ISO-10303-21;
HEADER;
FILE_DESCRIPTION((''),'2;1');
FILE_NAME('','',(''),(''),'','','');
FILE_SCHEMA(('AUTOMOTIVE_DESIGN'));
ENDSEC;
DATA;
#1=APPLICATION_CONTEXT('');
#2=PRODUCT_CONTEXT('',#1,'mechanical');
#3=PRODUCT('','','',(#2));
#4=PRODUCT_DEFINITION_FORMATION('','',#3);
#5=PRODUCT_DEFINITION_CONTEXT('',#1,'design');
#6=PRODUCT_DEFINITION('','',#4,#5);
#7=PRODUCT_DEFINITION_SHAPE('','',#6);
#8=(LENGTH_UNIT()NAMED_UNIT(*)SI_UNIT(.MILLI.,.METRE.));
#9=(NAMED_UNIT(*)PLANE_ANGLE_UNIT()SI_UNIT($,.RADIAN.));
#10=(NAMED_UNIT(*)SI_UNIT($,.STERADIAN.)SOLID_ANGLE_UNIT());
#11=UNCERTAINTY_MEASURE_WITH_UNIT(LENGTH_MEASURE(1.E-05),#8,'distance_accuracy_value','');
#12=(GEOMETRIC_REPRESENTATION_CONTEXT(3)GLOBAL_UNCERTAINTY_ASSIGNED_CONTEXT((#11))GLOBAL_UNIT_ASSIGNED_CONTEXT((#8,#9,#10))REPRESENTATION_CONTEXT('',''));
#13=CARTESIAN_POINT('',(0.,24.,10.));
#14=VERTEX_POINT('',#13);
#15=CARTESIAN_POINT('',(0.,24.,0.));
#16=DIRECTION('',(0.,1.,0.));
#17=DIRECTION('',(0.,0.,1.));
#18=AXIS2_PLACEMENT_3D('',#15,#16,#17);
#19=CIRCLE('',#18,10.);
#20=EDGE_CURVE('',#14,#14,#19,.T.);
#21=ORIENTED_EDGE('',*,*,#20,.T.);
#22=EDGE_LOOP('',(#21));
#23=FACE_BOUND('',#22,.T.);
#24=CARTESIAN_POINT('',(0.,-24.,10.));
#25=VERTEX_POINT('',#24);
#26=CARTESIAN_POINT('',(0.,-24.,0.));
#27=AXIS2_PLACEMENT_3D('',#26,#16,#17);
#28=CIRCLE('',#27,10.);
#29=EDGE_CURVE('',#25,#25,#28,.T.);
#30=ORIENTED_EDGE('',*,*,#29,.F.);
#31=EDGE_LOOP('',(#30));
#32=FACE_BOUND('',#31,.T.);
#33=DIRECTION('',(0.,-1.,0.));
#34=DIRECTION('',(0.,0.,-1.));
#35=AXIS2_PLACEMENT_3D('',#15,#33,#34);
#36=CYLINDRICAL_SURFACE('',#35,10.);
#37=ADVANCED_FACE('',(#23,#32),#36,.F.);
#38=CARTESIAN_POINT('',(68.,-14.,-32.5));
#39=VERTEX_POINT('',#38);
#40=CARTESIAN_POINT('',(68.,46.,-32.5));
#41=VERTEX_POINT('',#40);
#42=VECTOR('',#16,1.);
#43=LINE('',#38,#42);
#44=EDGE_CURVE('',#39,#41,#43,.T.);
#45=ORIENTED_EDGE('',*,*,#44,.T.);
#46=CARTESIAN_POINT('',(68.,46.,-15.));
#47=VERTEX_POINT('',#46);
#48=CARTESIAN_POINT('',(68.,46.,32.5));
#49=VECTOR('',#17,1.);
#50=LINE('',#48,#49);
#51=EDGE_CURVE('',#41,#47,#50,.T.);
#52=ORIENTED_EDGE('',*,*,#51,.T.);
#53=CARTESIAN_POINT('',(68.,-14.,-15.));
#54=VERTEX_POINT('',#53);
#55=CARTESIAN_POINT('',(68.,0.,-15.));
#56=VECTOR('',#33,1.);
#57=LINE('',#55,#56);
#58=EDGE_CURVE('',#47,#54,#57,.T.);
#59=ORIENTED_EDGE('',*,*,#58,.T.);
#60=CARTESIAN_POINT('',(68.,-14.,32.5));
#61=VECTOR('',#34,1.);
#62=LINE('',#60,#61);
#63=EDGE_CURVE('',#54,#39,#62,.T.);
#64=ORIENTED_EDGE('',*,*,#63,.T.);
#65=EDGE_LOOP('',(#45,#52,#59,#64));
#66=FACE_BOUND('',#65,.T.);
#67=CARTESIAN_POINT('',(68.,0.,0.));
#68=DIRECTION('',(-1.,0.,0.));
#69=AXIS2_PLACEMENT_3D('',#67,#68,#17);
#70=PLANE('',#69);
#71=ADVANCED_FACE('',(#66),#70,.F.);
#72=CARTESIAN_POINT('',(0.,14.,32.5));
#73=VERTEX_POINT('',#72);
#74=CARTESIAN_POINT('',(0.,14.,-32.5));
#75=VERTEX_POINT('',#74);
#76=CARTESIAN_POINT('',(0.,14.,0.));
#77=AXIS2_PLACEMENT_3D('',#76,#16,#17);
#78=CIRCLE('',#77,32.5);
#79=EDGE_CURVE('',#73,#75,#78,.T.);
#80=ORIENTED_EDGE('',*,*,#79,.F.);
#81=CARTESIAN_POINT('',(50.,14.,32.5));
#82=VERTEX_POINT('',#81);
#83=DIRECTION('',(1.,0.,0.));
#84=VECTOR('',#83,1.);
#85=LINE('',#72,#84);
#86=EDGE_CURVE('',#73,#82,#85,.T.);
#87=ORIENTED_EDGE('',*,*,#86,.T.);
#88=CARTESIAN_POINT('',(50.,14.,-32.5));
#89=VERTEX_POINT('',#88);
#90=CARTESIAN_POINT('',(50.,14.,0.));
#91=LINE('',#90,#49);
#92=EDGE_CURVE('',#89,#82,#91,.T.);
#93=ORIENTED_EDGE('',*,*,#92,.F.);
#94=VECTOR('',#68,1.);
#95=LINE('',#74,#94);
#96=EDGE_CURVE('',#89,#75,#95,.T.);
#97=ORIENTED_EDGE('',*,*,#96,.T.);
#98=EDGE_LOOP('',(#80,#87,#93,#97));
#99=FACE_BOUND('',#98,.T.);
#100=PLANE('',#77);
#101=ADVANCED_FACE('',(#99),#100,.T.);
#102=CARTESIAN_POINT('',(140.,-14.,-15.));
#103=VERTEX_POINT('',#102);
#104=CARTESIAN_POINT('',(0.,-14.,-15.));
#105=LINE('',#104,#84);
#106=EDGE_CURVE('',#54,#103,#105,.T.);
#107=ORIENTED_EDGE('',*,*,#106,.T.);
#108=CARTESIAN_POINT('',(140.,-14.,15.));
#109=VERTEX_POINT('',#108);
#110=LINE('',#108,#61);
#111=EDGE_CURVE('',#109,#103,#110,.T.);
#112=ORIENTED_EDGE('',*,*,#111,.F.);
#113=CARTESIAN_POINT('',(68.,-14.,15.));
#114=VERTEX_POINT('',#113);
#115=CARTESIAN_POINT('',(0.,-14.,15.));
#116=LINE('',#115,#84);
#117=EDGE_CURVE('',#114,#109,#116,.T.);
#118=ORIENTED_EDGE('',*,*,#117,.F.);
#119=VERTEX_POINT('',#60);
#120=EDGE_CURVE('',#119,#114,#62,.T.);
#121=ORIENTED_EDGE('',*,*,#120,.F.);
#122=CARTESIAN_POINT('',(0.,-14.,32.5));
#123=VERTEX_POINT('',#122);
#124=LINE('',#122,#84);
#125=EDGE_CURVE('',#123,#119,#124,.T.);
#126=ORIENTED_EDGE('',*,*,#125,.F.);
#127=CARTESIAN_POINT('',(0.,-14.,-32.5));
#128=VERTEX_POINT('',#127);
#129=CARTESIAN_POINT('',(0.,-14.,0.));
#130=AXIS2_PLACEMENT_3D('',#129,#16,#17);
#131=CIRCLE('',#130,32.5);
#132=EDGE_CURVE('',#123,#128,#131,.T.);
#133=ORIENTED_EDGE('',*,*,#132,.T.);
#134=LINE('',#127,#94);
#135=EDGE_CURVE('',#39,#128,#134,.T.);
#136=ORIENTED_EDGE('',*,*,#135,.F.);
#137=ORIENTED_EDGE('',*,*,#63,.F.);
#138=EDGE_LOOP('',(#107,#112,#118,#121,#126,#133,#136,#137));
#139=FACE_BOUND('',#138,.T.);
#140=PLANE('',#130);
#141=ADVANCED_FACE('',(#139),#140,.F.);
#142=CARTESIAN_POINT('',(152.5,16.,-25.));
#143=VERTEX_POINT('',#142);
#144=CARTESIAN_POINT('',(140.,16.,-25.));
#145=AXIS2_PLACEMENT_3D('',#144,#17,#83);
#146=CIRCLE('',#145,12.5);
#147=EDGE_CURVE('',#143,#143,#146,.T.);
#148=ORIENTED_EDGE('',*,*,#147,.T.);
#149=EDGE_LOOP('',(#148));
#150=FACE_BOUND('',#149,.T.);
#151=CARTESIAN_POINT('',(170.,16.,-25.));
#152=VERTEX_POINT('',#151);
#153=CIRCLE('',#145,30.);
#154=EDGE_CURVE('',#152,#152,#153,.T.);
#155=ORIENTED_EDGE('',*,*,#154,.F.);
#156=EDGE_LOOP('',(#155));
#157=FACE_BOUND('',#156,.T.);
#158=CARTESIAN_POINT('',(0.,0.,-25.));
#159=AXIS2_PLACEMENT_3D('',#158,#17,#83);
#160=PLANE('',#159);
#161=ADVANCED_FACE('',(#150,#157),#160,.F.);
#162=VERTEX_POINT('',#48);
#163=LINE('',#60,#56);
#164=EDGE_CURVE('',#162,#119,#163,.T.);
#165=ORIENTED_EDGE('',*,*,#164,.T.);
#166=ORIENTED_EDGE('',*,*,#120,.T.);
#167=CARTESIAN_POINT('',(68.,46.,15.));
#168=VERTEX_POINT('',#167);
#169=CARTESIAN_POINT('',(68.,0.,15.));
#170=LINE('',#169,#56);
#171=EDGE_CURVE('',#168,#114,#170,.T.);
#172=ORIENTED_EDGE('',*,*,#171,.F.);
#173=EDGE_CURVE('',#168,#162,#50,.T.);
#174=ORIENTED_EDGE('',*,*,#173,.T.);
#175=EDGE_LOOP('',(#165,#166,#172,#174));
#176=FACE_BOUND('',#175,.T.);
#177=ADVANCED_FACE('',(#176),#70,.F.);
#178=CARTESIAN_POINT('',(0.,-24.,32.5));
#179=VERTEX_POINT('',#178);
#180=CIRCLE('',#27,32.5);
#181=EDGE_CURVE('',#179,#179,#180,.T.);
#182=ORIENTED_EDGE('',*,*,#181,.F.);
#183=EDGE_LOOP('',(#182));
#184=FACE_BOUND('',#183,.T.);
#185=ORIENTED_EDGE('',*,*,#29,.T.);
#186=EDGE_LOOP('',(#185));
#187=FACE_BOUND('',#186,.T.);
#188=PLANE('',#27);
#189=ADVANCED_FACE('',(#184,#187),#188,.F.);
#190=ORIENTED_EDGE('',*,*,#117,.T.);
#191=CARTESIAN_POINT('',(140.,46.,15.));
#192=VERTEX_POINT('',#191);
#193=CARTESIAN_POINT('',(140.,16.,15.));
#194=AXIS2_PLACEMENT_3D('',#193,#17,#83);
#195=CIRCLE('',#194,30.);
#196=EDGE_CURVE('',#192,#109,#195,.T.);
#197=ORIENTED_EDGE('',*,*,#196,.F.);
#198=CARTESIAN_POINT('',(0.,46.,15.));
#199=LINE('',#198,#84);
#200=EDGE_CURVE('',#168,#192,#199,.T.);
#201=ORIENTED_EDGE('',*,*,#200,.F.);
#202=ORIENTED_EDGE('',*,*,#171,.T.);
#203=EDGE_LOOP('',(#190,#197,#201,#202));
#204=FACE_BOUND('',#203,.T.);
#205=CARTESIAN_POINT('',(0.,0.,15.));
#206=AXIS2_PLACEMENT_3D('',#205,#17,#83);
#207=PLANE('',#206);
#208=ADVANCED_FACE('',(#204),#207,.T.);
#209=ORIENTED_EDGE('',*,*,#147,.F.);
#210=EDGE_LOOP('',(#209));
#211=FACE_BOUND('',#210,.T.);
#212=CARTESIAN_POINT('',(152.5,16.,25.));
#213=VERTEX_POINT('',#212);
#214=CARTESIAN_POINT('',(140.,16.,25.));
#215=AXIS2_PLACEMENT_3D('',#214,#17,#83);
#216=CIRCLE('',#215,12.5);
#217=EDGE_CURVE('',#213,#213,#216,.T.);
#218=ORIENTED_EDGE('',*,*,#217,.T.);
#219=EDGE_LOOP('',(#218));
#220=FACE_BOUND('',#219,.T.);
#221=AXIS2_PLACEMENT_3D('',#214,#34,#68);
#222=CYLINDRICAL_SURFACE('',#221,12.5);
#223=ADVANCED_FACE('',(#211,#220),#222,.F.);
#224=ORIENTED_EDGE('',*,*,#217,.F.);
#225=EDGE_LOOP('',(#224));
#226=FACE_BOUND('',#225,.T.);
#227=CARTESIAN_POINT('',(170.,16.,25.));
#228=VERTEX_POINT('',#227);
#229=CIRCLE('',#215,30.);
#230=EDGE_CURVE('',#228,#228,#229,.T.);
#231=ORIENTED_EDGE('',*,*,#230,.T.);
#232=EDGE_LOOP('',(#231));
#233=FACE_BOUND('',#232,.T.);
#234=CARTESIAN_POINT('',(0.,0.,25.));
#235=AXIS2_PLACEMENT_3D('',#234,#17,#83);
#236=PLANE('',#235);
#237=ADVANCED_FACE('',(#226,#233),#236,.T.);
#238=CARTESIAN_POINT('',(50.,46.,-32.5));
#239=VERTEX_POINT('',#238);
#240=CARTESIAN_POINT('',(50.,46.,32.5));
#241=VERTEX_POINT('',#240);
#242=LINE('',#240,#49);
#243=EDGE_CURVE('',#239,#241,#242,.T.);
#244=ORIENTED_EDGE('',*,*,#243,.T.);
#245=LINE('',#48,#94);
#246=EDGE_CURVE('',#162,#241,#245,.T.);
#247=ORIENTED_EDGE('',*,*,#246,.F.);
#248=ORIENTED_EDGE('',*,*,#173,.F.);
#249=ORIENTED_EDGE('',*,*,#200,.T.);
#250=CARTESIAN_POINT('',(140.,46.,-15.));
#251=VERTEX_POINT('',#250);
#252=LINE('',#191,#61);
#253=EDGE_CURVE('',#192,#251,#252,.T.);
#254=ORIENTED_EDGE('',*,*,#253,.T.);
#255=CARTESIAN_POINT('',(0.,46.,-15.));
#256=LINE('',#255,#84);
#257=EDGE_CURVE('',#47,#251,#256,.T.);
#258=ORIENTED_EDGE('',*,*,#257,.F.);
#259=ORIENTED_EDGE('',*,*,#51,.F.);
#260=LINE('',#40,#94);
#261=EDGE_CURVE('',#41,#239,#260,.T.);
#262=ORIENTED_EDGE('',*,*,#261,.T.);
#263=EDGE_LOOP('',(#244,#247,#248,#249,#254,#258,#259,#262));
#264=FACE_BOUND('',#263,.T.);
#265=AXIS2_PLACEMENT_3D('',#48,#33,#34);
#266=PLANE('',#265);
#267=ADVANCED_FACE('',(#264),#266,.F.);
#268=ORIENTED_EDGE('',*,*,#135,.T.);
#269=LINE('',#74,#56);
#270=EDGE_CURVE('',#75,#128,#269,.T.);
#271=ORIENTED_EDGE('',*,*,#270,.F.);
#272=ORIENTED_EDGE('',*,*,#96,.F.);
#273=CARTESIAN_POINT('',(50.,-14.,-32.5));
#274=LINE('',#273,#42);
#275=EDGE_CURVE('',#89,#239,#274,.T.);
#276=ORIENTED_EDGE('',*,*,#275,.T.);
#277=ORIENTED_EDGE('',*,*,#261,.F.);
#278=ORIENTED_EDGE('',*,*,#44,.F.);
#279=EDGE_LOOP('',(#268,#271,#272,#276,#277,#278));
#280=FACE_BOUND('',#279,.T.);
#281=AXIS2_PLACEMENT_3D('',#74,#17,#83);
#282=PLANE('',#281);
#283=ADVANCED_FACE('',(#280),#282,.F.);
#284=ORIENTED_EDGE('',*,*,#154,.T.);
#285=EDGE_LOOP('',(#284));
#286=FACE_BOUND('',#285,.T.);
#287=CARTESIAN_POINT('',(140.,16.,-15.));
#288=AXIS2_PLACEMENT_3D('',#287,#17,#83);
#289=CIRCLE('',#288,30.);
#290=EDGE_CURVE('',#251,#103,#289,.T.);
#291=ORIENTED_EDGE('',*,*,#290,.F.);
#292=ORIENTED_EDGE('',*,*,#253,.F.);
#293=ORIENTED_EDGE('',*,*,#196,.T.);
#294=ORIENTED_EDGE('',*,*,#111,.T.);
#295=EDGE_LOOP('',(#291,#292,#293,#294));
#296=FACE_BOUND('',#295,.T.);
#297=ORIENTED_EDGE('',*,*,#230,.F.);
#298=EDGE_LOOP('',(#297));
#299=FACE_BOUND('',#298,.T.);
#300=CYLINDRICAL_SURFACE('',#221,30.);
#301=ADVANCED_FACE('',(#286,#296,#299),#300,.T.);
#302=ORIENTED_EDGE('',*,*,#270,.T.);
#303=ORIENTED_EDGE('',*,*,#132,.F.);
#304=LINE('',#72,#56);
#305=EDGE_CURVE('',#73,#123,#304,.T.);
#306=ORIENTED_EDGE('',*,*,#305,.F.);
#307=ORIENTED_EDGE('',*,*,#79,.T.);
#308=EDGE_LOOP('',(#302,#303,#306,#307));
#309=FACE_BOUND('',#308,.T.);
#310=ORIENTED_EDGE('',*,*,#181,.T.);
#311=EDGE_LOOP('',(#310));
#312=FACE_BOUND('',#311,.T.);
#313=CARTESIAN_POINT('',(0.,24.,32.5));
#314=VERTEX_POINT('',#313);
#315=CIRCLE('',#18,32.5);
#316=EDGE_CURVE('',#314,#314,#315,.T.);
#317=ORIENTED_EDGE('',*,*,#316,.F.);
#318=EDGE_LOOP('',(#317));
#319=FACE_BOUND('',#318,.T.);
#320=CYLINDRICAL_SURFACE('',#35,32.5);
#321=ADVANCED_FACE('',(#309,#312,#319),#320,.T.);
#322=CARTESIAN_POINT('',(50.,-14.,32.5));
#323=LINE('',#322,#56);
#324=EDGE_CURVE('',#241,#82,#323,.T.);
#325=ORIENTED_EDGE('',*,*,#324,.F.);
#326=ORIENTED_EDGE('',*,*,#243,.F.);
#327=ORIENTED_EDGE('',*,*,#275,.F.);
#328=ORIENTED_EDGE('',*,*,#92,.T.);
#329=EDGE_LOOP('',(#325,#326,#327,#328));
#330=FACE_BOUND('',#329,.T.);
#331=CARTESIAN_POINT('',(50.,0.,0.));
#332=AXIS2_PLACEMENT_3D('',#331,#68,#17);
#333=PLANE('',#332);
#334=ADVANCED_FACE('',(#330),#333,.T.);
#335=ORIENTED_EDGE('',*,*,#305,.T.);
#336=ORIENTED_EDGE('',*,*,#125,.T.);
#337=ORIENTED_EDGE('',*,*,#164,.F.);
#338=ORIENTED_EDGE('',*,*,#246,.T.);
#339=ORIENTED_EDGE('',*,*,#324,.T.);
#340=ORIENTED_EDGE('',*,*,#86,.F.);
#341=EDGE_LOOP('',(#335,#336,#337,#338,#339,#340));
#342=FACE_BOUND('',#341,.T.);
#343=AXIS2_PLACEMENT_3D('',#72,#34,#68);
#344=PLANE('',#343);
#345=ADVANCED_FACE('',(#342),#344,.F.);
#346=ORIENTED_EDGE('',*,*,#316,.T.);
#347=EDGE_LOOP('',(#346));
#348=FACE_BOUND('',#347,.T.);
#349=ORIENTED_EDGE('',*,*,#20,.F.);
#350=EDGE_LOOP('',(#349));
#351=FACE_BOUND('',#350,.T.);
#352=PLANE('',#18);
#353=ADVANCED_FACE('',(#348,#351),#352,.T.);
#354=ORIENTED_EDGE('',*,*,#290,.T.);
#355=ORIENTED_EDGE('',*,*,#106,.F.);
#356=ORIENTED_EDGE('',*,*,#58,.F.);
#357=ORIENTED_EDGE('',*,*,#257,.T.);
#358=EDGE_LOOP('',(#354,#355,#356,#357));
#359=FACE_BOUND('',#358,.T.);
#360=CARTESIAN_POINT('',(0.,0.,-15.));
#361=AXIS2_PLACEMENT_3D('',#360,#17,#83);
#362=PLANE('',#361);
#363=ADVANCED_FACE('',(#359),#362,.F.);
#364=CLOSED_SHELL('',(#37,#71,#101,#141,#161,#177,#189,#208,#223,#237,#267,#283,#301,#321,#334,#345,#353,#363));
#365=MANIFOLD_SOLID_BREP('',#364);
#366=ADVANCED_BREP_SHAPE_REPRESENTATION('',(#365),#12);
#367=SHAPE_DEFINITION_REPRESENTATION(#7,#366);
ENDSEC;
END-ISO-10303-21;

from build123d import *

# Parameters (mm, degrees)
SKETCH1_R           = 10
BOSS_EXTRUDE1_DEPTH = 24
BOSS_EXTRUDE2_DEPTH = 14
SKETCH2_W           = 65
SKETCH2_H           = 60
BOSS_EXTRUDE3_DEPTH = 18
BOSS_EXTRUDE4_DEPTH = 15
SKETCH4_3_R         = 30
SKETCH4_3_R_2       = 12.500000000000002
BOSS_EXTRUDE5_DEPTH = 25


with BuildPart() as part:
    # Sketch1 → Boss-Extrude1 (new, symmetric)
    with BuildSketch(Plane(origin=(0, 0, 0), x_dir=(1, 0, 0), z_dir=(0, 1, 0))):
        with BuildLine():
            ThreePointArc((1.99e-15, 32.5), (-32.5, 3.98e-15), (-5.97e-15, -32.5))
            ThreePointArc((-5.97e-15, -32.5), (22.98097038856279, -22.9809703885628), (32.5, -7.96e-15))
            ThreePointArc((32.5, 0), (22.980970388562795, 22.980970388562792), (1.99e-15, 32.5))
        make_face()
        Circle(SKETCH1_R, mode=Mode.SUBTRACT)
    extrude(amount=BOSS_EXTRUDE1_DEPTH, both=True)

    # Sketch1<3> → Boss-Extrude2 (add, symmetric)
    with BuildSketch(Plane(origin=(0, 0, 0), x_dir=(1, 0, 0), z_dir=(0, 1, 0))):
        with BuildLine():
            ThreePointArc((32.5, -7.96e-15), (22.98097038856279, -22.9809703885628), (-5.97e-15, -32.5))
            Line((0, -32.5), (50, -32.5))
            Line((50, -32.5), (50, 32.5))
            Line((50, 32.5), (0, 32.5))
            ThreePointArc((1.99e-15, 32.5), (22.980970388562795, 22.980970388562792), (32.5, 0))
        make_face()
    extrude(amount=BOSS_EXTRUDE2_DEPTH, both=True)

    # Sketch2 → Boss-Extrude3 (add)
    with BuildSketch(Plane(origin=(50, 0, 0), x_dir=(0, 0, -1), z_dir=(1, 0, 0))):
        with Locations((0, 16)):
            Rectangle(SKETCH2_W, SKETCH2_H)
    extrude(amount=BOSS_EXTRUDE3_DEPTH)

    # Sketch4 → Boss-Extrude4 (add, symmetric)
    with BuildSketch(Plane.XY):
        with BuildLine():
            Line((140, 46), (68, 46))
            Line((68, 46), (68, -14))
            Line((68, -14), (140, -14))
            ThreePointArc((140, -13.999999999999996), (110, 16.000000000000004), (140, 46))
        make_face()
    extrude(amount=BOSS_EXTRUDE4_DEPTH, both=True)

    # Sketch4<3> → Boss-Extrude5 (add, symmetric)
    with BuildSketch(Plane.XY):
        with Locations((140, 16)):
            Circle(SKETCH4_3_R)
        with Locations((140, 16)):
            Circle(SKETCH4_3_R_2, mode=Mode.SUBTRACT)
    extrude(amount=BOSS_EXTRUDE5_DEPTH, both=True)


solid = part.part
